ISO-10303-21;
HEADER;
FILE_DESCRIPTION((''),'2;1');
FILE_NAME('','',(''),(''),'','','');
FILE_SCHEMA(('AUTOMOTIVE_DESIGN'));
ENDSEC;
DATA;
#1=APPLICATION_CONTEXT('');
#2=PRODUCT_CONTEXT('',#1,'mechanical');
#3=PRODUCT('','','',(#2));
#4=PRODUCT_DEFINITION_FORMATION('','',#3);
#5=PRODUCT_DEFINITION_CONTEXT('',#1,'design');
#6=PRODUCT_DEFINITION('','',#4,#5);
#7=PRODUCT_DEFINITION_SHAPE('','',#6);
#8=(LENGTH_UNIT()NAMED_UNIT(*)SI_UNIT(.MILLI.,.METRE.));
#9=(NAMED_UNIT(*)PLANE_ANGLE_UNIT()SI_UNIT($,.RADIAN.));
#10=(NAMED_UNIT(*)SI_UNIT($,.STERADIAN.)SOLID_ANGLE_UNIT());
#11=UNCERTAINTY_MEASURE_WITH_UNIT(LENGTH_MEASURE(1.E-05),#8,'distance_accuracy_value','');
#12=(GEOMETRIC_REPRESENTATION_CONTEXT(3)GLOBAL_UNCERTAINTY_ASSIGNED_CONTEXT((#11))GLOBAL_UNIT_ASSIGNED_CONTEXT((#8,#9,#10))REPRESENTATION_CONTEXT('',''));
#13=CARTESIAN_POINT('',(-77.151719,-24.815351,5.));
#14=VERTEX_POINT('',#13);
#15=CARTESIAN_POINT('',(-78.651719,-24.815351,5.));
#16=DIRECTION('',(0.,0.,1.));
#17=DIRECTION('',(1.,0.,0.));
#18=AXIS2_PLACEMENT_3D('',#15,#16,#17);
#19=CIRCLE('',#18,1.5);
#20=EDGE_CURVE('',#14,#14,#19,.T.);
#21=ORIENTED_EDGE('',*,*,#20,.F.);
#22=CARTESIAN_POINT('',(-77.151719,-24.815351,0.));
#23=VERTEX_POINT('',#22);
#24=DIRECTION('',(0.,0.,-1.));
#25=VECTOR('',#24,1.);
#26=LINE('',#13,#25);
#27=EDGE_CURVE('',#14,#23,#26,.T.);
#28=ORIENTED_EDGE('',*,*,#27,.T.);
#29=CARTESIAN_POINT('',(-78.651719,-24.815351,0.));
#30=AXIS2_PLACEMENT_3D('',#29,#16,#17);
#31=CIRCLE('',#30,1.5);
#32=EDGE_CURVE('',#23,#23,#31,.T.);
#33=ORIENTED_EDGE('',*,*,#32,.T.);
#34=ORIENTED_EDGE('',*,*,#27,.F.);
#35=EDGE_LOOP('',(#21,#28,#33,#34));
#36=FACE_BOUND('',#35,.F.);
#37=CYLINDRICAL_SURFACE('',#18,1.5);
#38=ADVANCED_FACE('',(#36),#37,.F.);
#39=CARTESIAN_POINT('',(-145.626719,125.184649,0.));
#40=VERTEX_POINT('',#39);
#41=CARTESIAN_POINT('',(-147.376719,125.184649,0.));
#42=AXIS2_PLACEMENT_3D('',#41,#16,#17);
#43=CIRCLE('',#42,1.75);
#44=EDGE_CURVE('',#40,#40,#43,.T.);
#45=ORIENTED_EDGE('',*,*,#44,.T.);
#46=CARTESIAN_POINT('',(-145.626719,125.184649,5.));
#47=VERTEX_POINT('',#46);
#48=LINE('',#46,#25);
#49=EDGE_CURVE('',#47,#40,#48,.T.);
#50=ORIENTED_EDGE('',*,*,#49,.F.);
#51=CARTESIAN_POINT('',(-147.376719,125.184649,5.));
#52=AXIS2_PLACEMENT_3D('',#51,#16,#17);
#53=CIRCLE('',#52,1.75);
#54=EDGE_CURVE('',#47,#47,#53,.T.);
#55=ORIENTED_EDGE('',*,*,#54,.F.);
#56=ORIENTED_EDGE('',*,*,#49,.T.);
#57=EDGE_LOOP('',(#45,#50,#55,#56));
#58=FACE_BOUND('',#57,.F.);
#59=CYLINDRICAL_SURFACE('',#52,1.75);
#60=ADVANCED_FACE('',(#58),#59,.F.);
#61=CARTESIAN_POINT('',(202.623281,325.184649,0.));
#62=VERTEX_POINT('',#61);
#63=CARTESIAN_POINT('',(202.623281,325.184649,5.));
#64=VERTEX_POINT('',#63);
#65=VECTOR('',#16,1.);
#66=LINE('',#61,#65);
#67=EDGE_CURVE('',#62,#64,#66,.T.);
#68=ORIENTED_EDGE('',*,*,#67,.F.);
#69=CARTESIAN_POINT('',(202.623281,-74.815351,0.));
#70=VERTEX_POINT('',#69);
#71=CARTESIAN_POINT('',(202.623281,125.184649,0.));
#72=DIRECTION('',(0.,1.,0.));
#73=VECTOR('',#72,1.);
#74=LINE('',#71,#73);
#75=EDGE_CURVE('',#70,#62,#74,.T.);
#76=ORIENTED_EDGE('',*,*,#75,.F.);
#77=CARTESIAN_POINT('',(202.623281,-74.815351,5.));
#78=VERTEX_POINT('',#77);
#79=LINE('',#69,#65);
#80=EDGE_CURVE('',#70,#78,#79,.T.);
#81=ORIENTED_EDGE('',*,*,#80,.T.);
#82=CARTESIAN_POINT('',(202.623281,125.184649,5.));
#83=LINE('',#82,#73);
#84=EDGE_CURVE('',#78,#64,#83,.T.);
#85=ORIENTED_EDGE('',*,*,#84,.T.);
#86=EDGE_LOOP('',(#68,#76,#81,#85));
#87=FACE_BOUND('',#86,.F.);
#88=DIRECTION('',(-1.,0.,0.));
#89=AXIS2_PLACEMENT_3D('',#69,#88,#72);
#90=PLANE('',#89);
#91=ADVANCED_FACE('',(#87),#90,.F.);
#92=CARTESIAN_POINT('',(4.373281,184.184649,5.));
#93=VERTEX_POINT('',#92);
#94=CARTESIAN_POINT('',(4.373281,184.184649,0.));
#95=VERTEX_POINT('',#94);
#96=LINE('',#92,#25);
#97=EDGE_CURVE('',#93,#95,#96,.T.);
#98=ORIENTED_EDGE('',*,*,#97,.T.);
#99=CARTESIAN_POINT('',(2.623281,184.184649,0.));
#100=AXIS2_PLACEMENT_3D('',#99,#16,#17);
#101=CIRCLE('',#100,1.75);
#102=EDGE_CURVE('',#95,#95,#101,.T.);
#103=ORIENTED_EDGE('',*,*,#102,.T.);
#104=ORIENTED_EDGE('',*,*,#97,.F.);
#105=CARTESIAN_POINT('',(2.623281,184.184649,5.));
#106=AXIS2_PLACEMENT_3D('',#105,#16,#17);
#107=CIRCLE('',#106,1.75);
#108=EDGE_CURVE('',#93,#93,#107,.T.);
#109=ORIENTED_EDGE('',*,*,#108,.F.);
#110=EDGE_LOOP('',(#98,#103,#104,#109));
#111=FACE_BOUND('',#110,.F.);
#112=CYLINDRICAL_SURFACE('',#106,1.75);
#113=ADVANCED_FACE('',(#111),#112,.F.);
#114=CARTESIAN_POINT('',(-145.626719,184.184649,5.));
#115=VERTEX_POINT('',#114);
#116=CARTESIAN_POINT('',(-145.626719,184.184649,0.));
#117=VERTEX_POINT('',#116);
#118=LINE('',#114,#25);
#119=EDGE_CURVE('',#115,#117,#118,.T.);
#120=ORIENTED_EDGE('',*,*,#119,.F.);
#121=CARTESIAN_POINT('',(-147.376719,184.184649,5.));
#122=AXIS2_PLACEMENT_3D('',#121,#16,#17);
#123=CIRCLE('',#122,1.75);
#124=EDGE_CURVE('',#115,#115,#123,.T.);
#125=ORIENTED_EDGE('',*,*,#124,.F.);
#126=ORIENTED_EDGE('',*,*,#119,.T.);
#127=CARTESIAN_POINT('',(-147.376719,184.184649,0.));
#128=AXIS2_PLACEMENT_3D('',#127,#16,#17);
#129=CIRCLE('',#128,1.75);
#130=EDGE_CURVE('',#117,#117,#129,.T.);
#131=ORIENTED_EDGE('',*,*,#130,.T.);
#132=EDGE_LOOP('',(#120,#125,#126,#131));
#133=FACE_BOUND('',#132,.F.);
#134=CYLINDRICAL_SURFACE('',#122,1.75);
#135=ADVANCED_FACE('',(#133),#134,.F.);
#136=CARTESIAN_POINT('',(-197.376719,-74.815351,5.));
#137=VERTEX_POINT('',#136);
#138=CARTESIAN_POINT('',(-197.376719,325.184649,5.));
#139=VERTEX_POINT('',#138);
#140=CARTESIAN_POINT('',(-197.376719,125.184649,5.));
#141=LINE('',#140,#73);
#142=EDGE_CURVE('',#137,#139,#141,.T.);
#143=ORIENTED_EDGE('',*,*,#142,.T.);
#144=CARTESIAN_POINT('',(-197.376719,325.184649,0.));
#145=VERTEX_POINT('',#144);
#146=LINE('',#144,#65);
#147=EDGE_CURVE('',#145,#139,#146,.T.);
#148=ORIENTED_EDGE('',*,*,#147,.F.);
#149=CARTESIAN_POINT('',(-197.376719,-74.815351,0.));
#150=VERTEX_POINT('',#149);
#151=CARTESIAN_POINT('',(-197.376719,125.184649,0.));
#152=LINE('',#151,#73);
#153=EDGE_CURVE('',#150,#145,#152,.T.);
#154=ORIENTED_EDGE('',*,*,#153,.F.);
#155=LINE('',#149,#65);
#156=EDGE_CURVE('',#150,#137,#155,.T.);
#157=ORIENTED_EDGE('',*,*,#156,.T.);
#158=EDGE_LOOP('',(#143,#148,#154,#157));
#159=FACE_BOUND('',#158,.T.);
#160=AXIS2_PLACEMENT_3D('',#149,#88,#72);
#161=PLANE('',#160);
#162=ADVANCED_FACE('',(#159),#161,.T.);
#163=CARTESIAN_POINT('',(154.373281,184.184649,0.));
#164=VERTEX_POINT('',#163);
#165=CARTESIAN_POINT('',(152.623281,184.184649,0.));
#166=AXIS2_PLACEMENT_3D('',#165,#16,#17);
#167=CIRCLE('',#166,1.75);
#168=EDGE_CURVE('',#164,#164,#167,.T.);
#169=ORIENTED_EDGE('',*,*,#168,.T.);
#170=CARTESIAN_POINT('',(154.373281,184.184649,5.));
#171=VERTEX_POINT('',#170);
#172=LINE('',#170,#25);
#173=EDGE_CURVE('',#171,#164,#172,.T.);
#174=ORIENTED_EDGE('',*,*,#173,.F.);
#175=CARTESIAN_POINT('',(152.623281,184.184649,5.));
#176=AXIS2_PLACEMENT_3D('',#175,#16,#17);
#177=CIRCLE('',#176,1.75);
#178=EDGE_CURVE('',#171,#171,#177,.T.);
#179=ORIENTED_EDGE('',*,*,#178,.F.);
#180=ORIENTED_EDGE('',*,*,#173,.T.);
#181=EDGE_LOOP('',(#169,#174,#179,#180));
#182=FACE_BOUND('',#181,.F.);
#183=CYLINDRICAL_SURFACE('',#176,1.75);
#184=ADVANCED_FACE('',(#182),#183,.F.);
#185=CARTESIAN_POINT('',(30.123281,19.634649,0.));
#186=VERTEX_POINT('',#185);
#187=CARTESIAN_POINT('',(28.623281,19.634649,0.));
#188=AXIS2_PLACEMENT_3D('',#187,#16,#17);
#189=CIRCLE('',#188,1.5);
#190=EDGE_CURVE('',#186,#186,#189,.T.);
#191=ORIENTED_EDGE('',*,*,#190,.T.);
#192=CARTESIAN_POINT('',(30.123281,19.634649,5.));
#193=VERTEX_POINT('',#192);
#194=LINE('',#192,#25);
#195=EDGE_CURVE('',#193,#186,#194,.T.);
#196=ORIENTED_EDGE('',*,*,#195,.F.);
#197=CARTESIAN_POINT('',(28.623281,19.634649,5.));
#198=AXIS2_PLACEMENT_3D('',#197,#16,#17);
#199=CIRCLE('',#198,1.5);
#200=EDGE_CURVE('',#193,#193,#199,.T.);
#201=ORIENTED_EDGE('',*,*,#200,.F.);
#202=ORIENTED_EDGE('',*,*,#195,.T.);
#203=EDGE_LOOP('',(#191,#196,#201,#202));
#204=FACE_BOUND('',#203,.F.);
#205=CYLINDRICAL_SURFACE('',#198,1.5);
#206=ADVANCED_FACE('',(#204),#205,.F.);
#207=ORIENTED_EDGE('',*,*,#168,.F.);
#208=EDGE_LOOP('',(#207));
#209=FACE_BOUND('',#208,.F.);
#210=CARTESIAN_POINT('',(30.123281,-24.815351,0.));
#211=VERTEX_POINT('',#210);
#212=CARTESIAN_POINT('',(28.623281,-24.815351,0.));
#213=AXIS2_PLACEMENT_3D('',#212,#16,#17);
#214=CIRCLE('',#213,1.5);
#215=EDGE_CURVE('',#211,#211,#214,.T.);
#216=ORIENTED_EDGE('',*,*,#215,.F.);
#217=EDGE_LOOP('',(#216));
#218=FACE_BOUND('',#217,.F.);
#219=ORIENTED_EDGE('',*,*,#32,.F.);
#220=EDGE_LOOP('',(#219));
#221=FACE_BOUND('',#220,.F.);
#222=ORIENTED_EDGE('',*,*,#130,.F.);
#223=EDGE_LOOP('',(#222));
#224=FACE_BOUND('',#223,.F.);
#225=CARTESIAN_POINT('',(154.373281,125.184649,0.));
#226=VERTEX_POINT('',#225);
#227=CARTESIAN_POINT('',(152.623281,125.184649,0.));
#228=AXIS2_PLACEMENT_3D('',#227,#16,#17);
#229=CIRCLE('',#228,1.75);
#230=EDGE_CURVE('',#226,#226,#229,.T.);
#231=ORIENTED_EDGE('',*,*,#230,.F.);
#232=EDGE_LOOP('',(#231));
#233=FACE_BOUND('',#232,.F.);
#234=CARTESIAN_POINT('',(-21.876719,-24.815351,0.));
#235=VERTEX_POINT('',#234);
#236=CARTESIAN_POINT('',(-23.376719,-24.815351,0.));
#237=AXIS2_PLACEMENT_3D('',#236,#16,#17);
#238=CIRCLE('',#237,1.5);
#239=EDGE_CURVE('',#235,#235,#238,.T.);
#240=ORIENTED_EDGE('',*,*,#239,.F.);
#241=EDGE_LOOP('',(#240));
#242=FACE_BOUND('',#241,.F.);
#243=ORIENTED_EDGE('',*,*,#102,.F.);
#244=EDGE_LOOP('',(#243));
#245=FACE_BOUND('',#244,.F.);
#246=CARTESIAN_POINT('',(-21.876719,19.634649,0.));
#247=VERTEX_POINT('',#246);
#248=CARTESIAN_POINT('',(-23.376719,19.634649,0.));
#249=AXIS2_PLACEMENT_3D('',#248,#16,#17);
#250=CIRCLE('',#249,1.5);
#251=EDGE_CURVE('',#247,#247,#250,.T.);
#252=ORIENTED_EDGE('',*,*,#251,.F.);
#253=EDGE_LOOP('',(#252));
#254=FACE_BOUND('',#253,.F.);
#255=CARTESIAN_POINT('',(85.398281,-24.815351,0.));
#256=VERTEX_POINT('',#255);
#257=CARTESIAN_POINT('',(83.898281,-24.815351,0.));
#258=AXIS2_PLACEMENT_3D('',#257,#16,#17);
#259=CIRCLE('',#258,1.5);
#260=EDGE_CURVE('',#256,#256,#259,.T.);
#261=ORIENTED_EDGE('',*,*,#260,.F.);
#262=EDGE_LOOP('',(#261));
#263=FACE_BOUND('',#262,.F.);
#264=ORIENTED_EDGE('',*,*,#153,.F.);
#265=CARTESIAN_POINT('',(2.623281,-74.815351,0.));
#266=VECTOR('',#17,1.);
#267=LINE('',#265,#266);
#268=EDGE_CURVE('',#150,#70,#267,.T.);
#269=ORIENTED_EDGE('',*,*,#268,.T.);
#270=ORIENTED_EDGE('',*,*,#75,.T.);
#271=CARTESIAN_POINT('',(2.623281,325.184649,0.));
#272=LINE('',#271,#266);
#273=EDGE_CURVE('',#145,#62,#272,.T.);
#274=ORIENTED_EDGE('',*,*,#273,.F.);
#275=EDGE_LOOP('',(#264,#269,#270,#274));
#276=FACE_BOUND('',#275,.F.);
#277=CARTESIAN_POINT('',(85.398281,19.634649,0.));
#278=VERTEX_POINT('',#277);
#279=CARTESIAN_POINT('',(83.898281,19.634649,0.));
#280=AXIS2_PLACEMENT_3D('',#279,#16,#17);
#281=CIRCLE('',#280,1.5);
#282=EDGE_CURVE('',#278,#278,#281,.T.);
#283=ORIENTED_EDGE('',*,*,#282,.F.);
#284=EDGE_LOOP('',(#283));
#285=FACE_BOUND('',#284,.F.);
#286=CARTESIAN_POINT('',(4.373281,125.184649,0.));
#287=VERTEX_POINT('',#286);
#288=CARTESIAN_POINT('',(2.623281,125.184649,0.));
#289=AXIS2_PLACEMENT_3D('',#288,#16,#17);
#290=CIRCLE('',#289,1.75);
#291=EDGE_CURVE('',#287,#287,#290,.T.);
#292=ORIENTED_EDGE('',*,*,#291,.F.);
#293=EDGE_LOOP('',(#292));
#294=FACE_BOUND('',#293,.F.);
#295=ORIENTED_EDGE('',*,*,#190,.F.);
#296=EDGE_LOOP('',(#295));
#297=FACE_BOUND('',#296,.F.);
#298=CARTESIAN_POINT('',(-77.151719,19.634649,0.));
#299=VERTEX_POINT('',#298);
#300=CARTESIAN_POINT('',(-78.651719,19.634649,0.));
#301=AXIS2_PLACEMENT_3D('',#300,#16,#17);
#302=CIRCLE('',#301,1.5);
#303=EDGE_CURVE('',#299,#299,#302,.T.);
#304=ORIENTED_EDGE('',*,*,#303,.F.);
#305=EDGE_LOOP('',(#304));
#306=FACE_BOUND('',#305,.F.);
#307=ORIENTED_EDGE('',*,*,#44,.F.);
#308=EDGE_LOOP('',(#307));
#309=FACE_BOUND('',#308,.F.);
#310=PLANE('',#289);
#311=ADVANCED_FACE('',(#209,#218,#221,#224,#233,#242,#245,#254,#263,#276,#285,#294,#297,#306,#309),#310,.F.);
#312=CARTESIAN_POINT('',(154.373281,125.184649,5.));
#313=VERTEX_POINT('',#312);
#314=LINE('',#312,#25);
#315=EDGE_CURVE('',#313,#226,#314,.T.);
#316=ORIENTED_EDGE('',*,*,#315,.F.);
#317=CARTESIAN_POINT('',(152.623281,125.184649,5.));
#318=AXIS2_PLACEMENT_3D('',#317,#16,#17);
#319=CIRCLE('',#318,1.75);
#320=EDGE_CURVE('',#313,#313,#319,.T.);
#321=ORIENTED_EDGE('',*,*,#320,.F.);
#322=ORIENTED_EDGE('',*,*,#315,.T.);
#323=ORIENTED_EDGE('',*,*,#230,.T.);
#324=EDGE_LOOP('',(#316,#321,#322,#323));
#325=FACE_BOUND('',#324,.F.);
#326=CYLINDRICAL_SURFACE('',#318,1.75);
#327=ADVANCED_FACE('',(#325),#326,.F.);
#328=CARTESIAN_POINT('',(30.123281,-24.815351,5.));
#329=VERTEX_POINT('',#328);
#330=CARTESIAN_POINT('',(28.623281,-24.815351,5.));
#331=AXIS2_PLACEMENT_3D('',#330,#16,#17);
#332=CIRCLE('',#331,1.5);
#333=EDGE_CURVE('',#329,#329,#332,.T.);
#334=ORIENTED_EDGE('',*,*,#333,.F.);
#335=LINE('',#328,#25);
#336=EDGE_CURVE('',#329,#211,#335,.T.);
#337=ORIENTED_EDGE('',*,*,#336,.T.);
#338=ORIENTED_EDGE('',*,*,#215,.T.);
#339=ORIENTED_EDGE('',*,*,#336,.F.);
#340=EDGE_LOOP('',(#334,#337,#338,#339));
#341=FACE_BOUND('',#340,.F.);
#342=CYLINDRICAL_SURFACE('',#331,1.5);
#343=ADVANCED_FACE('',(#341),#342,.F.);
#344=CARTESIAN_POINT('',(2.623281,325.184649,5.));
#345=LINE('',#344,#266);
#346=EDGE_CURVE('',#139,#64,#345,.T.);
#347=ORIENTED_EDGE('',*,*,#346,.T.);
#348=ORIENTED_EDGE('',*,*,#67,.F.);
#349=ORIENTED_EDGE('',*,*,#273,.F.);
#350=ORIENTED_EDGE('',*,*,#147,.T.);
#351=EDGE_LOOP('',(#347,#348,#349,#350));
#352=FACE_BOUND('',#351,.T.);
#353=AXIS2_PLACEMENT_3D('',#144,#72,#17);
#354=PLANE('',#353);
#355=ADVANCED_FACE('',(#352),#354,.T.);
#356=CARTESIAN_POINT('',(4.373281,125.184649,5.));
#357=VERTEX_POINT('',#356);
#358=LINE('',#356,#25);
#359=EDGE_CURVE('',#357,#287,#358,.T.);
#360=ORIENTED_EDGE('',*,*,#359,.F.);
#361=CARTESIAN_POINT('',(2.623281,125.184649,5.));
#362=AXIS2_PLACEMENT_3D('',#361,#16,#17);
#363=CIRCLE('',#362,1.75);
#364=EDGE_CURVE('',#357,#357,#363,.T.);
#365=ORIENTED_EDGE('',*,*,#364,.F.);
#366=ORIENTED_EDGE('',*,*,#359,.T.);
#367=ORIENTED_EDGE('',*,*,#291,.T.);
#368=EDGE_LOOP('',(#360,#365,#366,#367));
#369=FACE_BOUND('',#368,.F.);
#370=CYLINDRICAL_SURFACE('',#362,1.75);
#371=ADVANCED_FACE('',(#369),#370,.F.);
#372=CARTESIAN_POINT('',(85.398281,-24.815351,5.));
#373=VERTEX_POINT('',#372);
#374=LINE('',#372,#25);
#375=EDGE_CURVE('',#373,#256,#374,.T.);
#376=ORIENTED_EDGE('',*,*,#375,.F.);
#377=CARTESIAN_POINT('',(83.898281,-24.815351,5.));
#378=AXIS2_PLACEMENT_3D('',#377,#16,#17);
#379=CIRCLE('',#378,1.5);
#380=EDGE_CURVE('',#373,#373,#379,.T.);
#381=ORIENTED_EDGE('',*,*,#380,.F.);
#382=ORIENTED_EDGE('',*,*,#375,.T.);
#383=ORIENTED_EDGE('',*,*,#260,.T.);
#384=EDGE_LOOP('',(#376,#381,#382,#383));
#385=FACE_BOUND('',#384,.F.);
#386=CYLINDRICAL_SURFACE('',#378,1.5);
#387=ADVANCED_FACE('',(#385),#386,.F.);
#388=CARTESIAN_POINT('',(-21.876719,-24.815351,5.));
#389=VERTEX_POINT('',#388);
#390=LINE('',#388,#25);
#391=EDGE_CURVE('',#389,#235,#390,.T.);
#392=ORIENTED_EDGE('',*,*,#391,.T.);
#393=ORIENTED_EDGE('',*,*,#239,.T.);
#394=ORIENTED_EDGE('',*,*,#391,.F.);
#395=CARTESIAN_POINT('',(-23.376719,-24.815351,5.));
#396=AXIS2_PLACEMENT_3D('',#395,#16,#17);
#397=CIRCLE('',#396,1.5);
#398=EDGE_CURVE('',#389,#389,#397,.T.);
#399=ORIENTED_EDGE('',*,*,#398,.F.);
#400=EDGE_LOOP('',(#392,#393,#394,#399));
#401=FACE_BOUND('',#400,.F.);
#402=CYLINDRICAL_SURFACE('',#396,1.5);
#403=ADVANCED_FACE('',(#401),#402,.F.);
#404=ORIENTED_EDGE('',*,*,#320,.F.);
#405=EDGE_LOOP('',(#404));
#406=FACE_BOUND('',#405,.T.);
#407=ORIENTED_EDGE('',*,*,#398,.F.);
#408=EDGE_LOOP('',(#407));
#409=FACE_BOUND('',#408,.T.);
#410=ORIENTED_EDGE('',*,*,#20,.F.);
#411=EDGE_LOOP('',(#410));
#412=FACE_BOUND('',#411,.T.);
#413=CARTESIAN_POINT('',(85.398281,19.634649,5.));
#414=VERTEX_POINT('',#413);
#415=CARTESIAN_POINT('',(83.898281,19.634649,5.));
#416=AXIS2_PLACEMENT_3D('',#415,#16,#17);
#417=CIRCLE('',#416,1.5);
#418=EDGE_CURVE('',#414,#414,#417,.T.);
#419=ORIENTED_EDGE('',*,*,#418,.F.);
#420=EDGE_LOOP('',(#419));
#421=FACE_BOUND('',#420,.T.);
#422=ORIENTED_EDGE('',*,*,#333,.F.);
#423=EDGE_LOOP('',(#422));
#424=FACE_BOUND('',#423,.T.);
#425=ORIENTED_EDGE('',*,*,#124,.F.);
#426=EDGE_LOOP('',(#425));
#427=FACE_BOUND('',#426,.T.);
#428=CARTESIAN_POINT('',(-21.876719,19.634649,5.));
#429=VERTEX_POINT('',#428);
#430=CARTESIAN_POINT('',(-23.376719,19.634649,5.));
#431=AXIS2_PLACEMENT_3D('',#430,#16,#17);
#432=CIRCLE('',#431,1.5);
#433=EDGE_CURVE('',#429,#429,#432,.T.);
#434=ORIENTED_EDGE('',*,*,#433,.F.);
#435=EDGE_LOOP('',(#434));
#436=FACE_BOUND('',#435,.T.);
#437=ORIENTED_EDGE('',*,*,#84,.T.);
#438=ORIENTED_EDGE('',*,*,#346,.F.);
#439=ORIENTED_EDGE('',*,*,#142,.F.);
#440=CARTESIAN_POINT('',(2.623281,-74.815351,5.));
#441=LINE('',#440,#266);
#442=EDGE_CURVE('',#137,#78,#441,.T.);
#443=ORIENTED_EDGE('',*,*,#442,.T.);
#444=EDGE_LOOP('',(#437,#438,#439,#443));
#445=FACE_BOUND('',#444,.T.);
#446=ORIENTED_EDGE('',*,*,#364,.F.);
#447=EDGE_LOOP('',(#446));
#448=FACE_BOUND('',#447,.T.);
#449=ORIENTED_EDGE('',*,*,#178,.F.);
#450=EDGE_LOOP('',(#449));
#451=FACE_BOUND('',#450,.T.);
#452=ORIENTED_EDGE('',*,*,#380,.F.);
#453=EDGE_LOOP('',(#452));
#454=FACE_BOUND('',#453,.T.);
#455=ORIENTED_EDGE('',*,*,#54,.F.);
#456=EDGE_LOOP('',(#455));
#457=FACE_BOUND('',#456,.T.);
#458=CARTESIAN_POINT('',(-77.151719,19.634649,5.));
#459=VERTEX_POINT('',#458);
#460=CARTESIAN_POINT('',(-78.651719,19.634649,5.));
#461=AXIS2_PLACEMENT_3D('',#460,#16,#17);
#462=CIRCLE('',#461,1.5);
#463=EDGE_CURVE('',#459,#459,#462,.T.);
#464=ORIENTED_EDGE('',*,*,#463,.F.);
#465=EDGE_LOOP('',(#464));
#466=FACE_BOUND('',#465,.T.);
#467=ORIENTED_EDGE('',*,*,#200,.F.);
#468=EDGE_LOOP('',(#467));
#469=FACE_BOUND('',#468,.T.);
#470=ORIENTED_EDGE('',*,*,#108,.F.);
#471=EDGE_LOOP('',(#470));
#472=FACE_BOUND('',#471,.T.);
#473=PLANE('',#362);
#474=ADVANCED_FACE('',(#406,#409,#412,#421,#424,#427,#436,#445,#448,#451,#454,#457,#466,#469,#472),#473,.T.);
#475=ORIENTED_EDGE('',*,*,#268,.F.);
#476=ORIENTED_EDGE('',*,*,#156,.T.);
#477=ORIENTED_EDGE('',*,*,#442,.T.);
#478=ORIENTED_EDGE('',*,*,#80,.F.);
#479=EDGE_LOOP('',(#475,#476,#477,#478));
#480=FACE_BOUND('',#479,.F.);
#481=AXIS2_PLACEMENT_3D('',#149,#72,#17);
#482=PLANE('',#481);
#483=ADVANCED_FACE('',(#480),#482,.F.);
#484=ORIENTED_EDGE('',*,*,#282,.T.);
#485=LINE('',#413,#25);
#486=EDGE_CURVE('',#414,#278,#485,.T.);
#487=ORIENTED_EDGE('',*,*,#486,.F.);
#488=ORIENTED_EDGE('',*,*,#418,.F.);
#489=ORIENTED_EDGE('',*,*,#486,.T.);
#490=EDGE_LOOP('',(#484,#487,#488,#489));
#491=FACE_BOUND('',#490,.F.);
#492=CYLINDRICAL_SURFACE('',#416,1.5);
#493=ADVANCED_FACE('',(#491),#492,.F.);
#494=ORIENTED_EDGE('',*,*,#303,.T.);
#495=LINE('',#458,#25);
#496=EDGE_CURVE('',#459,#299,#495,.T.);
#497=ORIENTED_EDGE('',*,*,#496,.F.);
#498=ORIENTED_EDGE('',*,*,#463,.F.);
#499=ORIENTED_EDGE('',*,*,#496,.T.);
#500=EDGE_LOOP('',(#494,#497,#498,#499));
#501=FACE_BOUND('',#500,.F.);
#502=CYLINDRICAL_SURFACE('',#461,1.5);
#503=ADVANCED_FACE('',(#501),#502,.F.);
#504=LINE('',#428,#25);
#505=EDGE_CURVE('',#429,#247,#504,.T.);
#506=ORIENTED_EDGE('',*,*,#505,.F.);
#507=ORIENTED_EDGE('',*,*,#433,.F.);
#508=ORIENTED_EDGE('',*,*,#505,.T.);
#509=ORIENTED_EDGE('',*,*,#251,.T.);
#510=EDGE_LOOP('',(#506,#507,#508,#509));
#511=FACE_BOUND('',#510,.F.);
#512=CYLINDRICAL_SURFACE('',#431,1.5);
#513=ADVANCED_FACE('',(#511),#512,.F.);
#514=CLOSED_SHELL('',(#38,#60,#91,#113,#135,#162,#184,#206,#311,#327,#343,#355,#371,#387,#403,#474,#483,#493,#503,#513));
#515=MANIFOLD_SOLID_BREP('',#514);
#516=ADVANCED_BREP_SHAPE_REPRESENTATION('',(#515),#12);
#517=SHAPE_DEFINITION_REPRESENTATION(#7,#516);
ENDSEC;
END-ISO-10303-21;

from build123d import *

# Parameters (mm, degrees)
F0_W     = 400
F0_H     = 400
F1_DEPTH = 5
F2_R     = 1.75
F3_DEPTH = 5.001
F4_R     = 1.5
F5_DEPTH = 5.001
F6_R     = 1.5
F7_DEPTH = 5.001


with BuildPart() as f1:
    # F0 (on Top) → F1 (new body)
    with BuildSketch(Plane.XY):
        with Locations((2.623281, 125.184649)):
            Rectangle(F0_W, F0_H)
    extrude(amount=F1_DEPTH)

    # F2 (on face) → F3 (cut, through all)
    with BuildSketch(Plane.XY.offset(5)):
        with Locations((-147.376719, 125.184649)):
            Circle(F2_R)
        with Locations((-147.376719, 184.184649)):
            Circle(F2_R)
        with Locations((2.623281, 125.184649)):
            Circle(F2_R)
        with Locations((2.623281, 184.184649)):
            Circle(F2_R)
        with Locations((152.623281, 125.184649)):
            Circle(F2_R)
        with Locations((152.623281, 184.184649)):
            Circle(F2_R)
    extrude(amount=-F3_DEPTH, mode=Mode.SUBTRACT)

    # F4 (on face) → F5 (cut, through all)
    with BuildSketch(Plane.XY.offset(5)):
        with Locations((-23.376719, -24.815351)):
            Circle(F4_R)
        with Locations((-23.376719, 19.634649)):
            Circle(F4_R)
        with Locations((28.623281, -24.815351)):
            Circle(F4_R)
        with Locations((28.623281, 19.634649)):
            Circle(F4_R)
    extrude(amount=-F5_DEPTH, mode=Mode.SUBTRACT)

    # F6 (on face) → F7 (cut, through all)
    with BuildSketch(Plane.XY.offset(5)):
        with Locations((-78.651719, -24.815351)):
            Circle(F6_R)
        with Locations((-78.651719, 19.634649)):
            Circle(F6_R)
        with Locations((83.898281, -24.815351)):
            Circle(F6_R)
        with Locations((83.898281, 19.634649)):
            Circle(F6_R)
    extrude(amount=-F7_DEPTH, mode=Mode.SUBTRACT)


solid = f1.part
